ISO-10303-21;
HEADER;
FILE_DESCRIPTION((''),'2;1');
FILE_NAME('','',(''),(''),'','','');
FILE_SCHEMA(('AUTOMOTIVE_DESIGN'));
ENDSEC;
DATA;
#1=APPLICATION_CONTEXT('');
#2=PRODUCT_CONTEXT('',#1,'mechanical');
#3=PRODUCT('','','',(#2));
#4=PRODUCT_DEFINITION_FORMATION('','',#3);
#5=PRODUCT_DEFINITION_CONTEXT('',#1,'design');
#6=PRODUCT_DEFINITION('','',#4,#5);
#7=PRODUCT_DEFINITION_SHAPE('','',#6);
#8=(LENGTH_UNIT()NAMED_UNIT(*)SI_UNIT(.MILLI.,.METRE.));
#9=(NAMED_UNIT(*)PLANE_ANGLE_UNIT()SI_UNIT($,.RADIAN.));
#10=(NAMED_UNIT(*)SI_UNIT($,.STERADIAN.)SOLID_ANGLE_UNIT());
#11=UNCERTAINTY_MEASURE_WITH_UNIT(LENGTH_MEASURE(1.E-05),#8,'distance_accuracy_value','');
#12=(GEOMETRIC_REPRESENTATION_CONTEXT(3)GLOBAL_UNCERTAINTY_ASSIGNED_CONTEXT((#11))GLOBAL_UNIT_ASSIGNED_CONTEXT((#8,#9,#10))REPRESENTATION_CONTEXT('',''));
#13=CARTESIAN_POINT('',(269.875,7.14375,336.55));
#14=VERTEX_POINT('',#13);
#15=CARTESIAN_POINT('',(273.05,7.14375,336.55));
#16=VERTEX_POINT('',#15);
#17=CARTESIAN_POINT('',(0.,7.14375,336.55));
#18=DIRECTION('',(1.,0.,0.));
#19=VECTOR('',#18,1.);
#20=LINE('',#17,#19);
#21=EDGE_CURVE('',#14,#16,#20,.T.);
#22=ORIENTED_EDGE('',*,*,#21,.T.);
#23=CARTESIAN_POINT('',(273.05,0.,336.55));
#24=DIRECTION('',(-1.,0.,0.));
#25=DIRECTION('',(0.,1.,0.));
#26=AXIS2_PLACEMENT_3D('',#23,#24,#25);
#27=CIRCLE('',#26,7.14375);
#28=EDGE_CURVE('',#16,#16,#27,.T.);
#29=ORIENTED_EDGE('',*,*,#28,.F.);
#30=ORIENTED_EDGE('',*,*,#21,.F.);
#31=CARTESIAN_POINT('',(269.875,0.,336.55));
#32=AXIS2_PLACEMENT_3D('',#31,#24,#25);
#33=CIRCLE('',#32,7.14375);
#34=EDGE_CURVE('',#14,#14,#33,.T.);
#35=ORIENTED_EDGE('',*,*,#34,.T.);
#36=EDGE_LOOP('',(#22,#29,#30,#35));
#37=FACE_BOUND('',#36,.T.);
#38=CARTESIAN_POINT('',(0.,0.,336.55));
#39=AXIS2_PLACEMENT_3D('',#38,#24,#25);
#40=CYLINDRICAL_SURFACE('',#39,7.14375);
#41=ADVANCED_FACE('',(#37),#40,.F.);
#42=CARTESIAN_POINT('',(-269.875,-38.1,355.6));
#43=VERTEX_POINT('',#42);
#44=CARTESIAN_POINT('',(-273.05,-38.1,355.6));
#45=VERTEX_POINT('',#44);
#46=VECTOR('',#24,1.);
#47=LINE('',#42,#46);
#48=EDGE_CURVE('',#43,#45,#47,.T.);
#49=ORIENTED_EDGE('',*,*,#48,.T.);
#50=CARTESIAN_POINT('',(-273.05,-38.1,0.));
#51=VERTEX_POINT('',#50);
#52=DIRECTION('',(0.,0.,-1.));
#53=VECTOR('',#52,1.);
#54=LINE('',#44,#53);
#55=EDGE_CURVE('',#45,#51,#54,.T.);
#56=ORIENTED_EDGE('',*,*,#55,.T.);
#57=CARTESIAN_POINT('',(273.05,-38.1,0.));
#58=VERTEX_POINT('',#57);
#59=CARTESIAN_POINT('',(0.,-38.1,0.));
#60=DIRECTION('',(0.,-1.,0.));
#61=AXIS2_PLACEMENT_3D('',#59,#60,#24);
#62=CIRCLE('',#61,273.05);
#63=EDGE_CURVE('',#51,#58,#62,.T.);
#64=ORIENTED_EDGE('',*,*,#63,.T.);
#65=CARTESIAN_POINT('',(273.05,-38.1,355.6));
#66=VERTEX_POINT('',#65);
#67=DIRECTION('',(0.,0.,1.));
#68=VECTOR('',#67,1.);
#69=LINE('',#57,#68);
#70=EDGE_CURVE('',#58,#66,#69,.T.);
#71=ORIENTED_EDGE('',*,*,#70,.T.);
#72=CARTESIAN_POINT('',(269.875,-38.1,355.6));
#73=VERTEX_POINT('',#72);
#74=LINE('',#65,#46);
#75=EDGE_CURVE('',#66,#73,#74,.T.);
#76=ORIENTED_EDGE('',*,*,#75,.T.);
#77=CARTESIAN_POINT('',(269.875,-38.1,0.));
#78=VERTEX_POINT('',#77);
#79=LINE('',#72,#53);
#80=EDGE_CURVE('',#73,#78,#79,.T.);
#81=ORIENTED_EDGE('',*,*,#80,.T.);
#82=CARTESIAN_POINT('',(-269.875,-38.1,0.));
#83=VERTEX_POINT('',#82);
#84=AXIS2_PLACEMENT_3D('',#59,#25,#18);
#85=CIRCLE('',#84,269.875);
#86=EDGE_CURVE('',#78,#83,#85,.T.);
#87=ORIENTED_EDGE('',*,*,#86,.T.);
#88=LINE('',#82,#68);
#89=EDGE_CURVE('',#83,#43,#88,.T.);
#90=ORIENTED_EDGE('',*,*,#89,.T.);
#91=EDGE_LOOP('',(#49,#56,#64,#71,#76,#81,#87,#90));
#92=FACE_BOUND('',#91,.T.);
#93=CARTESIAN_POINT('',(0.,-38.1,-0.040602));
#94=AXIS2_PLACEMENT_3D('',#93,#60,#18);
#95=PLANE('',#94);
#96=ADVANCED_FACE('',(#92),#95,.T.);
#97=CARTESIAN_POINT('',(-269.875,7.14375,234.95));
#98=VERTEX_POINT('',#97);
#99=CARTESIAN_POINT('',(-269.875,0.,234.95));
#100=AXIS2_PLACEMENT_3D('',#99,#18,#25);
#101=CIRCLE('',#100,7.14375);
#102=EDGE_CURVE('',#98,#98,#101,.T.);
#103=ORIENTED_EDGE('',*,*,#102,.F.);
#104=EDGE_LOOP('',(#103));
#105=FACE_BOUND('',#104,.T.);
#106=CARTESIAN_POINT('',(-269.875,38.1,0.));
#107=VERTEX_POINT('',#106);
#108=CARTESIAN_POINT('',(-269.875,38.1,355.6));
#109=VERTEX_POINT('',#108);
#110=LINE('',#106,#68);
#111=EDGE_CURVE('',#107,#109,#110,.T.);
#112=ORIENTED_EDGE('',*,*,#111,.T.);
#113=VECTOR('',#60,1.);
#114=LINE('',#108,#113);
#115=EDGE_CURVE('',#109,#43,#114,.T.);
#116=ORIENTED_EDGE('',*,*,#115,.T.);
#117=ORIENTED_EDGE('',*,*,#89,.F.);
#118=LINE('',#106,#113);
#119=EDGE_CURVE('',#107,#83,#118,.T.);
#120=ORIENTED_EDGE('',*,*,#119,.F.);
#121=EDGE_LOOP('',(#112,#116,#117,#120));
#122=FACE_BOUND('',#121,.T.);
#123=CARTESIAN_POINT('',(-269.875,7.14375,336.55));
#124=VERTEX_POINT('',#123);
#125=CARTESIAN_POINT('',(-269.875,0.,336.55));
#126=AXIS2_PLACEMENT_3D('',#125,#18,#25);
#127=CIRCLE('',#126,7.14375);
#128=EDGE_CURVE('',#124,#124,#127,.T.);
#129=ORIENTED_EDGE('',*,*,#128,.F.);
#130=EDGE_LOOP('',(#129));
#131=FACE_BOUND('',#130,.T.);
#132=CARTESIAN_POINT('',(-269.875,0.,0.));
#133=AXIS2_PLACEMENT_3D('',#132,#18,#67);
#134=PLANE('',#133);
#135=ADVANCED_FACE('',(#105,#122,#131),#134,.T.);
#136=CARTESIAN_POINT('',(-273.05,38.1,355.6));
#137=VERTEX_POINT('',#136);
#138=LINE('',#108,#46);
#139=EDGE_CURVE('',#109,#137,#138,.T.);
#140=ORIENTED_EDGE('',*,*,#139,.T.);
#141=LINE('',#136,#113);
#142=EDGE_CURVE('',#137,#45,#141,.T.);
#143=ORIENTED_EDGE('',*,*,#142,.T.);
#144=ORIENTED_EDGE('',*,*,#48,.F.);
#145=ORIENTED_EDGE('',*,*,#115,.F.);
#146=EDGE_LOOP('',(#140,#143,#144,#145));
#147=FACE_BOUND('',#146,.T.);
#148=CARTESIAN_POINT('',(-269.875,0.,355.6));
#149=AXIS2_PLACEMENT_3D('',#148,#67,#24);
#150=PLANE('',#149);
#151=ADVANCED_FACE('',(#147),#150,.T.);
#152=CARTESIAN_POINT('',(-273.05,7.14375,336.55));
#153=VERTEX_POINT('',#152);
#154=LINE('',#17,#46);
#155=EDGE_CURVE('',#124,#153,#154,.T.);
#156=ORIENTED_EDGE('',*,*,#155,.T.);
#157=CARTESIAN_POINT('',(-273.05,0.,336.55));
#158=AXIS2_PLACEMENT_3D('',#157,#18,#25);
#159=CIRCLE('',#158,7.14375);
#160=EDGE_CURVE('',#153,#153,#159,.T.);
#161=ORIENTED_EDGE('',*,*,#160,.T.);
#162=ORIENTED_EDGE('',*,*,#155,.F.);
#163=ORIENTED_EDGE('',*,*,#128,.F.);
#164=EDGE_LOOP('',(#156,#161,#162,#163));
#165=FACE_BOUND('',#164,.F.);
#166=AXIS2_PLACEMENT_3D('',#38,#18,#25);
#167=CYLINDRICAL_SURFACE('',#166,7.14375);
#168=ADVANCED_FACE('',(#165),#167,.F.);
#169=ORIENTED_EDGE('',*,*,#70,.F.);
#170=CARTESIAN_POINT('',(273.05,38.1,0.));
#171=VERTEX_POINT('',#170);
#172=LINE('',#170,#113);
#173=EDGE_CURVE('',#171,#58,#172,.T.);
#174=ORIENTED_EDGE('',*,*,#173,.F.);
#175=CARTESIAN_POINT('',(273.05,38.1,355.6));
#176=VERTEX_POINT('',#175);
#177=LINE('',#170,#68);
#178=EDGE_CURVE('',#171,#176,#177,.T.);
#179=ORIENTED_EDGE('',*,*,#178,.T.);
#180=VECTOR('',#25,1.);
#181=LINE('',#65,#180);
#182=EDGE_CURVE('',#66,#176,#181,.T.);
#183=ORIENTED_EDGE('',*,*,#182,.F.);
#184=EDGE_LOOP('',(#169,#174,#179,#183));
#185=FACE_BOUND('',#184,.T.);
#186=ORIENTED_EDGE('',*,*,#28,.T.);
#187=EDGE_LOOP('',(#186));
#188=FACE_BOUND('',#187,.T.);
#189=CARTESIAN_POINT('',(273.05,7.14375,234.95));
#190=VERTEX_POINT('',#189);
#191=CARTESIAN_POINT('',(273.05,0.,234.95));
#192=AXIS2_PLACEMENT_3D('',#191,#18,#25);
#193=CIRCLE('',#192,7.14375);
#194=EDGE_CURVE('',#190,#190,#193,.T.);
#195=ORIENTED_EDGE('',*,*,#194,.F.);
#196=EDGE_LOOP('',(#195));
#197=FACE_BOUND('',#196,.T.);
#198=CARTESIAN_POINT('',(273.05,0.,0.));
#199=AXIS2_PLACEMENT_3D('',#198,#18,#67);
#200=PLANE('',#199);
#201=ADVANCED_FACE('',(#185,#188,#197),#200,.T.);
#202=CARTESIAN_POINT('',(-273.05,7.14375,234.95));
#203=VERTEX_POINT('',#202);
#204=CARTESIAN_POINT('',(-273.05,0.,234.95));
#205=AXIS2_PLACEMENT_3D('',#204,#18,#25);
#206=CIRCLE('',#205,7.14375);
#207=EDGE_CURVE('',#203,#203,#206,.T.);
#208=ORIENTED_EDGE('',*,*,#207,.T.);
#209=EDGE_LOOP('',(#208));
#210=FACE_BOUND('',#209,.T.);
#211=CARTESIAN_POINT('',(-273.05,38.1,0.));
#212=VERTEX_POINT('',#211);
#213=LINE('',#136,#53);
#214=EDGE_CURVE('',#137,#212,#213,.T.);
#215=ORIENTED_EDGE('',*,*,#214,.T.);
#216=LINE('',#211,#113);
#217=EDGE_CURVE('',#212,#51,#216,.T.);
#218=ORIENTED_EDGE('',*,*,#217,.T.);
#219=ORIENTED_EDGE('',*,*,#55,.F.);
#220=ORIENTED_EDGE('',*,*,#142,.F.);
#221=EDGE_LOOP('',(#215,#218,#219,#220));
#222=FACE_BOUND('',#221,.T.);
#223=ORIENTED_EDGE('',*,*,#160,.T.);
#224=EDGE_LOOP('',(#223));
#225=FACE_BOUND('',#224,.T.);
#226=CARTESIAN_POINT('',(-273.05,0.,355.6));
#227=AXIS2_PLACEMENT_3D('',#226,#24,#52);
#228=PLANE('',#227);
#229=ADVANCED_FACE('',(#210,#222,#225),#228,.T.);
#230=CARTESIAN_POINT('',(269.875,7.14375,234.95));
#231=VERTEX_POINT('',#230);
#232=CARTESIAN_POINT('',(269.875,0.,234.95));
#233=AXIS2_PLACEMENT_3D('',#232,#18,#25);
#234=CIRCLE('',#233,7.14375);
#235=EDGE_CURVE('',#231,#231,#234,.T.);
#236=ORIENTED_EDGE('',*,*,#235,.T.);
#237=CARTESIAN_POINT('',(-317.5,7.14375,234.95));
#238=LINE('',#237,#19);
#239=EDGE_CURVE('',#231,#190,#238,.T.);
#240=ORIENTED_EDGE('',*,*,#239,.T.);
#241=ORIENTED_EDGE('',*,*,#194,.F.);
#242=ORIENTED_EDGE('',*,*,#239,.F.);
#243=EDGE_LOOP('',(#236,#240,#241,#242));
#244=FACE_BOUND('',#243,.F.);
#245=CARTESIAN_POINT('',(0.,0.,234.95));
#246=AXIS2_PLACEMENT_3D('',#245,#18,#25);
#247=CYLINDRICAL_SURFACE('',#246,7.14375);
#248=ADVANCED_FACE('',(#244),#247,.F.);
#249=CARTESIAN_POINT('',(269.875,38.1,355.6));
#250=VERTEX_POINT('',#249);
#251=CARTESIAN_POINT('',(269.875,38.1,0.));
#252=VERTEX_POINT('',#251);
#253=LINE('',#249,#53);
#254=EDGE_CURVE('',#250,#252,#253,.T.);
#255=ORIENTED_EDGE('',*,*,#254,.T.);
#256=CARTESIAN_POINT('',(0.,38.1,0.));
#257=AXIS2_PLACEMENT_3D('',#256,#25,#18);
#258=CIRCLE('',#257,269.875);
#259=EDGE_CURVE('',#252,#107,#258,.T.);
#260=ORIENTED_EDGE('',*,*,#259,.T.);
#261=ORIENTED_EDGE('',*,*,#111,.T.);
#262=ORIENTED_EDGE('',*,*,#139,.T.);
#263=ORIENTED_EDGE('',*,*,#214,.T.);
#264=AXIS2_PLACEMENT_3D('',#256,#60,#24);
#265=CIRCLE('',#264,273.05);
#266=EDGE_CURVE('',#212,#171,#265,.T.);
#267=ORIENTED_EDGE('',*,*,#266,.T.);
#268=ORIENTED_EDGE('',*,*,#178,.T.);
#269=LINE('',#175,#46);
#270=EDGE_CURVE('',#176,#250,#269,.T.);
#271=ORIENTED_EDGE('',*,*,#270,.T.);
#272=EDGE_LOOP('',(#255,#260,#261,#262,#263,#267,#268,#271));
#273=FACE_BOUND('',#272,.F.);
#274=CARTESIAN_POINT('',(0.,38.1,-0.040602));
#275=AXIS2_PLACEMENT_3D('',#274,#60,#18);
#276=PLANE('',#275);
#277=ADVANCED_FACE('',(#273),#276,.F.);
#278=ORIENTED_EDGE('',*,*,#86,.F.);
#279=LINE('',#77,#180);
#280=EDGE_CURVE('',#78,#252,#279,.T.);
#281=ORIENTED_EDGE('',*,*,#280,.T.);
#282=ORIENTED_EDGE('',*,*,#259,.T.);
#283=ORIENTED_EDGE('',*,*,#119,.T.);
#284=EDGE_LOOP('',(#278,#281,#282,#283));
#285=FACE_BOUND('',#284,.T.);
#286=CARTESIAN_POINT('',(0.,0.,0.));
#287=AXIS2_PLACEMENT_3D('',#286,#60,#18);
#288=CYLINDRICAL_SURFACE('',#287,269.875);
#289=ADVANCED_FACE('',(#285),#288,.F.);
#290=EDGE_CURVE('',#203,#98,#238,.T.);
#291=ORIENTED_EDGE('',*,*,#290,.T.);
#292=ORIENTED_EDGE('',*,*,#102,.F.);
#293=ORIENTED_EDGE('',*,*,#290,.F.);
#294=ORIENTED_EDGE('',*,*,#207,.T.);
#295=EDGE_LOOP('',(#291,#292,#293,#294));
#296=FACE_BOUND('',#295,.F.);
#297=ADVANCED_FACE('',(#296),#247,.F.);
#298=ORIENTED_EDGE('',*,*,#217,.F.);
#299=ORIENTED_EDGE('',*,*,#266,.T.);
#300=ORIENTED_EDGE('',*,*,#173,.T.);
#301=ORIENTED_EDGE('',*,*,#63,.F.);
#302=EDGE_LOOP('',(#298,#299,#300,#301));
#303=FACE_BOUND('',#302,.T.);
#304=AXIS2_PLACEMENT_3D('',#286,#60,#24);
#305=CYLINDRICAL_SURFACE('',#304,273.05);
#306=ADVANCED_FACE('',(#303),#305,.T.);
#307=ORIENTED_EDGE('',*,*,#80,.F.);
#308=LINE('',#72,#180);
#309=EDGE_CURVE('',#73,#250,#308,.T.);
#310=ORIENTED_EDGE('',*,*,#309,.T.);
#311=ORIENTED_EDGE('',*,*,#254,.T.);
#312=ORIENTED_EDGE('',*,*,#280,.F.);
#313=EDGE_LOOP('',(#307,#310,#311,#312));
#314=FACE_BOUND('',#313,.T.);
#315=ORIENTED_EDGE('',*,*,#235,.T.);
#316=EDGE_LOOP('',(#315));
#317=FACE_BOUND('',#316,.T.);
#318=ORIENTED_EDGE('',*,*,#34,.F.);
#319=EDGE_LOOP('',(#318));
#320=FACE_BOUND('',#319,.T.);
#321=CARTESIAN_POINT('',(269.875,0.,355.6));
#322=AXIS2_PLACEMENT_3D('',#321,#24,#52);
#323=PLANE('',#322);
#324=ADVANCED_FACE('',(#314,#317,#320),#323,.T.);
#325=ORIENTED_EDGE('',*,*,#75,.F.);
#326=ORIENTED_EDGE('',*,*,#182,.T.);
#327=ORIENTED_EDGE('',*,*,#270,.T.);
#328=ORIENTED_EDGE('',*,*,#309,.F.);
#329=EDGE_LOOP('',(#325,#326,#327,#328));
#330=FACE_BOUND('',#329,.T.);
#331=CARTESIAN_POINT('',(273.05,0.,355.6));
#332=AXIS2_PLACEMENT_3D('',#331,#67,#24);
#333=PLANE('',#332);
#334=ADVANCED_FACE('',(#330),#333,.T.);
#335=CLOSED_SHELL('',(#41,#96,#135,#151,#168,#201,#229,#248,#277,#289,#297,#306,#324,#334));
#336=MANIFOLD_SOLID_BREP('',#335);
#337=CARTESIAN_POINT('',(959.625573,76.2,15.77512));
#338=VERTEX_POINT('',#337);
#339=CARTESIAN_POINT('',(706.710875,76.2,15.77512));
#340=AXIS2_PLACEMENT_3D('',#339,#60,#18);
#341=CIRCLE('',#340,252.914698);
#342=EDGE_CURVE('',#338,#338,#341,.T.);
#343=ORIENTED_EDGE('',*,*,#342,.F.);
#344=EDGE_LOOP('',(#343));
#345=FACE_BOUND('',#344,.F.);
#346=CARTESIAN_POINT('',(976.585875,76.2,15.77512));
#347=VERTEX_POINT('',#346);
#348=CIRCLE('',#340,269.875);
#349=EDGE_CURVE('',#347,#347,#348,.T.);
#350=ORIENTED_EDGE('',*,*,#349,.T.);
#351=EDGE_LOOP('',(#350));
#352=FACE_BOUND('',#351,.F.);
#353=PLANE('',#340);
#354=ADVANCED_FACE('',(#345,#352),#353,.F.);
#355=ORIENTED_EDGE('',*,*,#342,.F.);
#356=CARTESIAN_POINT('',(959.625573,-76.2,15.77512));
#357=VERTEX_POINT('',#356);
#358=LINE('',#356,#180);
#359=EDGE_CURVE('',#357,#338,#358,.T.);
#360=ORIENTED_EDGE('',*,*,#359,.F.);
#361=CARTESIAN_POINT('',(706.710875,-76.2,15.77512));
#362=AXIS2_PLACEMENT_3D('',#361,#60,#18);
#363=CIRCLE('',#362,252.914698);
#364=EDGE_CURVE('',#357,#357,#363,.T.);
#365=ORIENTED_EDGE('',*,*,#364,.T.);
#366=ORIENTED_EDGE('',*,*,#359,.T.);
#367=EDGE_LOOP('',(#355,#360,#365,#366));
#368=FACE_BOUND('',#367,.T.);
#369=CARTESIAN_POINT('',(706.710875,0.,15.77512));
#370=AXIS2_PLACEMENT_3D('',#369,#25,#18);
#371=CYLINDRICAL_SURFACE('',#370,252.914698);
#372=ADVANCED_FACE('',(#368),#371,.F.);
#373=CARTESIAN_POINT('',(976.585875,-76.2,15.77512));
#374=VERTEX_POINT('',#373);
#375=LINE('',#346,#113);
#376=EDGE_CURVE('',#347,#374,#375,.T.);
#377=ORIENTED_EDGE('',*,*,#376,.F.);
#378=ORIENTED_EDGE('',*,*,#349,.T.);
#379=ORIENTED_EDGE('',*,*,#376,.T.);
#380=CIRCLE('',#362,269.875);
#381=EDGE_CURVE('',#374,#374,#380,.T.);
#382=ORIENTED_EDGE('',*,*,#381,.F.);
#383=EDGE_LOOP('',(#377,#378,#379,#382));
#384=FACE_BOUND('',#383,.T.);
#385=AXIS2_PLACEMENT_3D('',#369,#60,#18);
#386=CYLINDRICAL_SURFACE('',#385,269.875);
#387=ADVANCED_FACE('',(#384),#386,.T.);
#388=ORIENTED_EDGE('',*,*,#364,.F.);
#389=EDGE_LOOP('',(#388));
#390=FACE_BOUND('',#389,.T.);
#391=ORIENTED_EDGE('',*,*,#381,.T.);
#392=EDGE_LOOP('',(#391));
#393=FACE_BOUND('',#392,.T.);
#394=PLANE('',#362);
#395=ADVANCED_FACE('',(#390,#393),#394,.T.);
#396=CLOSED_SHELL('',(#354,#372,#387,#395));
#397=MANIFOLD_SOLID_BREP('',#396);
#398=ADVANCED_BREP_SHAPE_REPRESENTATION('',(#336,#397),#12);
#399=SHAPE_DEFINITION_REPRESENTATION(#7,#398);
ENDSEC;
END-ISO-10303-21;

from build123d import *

# Parameters (mm, degrees)
F1_DEPTH = 38.1
F2_R     = 7.14375
F3_DEPTH = 317.5
F4_R     = 269.875
F4_R_2   = 252.914698
F5_DEPTH = 76.2


with BuildPart() as f1:
    # F0 (on Front) → F1 (new body, symmetric)
    with BuildSketch(Plane.XZ):
        with BuildLine():
            ThreePointArc((269.875, 0), (0, -269.875), (-269.875, 0))
            Line((-269.875, 0), (-269.875, 355.6))
            Line((-269.875, 355.6), (-273.05, 355.6))
            Line((-273.05, 355.6), (-273.05, 0))
            ThreePointArc((-273.05, 0), (0, -273.05), (273.05, 0))
            Line((273.05, 0), (273.05, 355.6))
            Line((273.05, 355.6), (269.875, 355.6))
            Line((269.875, 355.6), (269.875, 0))
        make_face()
    extrude(amount=F1_DEPTH, both=True)

    # F2 (on Right) → F3 (cut, symmetric)
    with BuildSketch(Plane.YZ):
        with Locations((0, 336.55)):
            Circle(F2_R)
        with Locations((0, 234.95)):
            Circle(F2_R)
    extrude(amount=F3_DEPTH, both=True, mode=Mode.SUBTRACT)


with BuildPart() as f5:
    # F4 (on Front) → F5 (new body, symmetric)
    with BuildSketch(Plane.XZ):
        with Locations((706.710875, 15.77512)):
            Circle(F4_R)
        with Locations((706.710875, 15.77512)):
            Circle(F4_R_2, mode=Mode.SUBTRACT)
    extrude(amount=F5_DEPTH, both=True)


solid = Compound([f1.part, f5.part])
